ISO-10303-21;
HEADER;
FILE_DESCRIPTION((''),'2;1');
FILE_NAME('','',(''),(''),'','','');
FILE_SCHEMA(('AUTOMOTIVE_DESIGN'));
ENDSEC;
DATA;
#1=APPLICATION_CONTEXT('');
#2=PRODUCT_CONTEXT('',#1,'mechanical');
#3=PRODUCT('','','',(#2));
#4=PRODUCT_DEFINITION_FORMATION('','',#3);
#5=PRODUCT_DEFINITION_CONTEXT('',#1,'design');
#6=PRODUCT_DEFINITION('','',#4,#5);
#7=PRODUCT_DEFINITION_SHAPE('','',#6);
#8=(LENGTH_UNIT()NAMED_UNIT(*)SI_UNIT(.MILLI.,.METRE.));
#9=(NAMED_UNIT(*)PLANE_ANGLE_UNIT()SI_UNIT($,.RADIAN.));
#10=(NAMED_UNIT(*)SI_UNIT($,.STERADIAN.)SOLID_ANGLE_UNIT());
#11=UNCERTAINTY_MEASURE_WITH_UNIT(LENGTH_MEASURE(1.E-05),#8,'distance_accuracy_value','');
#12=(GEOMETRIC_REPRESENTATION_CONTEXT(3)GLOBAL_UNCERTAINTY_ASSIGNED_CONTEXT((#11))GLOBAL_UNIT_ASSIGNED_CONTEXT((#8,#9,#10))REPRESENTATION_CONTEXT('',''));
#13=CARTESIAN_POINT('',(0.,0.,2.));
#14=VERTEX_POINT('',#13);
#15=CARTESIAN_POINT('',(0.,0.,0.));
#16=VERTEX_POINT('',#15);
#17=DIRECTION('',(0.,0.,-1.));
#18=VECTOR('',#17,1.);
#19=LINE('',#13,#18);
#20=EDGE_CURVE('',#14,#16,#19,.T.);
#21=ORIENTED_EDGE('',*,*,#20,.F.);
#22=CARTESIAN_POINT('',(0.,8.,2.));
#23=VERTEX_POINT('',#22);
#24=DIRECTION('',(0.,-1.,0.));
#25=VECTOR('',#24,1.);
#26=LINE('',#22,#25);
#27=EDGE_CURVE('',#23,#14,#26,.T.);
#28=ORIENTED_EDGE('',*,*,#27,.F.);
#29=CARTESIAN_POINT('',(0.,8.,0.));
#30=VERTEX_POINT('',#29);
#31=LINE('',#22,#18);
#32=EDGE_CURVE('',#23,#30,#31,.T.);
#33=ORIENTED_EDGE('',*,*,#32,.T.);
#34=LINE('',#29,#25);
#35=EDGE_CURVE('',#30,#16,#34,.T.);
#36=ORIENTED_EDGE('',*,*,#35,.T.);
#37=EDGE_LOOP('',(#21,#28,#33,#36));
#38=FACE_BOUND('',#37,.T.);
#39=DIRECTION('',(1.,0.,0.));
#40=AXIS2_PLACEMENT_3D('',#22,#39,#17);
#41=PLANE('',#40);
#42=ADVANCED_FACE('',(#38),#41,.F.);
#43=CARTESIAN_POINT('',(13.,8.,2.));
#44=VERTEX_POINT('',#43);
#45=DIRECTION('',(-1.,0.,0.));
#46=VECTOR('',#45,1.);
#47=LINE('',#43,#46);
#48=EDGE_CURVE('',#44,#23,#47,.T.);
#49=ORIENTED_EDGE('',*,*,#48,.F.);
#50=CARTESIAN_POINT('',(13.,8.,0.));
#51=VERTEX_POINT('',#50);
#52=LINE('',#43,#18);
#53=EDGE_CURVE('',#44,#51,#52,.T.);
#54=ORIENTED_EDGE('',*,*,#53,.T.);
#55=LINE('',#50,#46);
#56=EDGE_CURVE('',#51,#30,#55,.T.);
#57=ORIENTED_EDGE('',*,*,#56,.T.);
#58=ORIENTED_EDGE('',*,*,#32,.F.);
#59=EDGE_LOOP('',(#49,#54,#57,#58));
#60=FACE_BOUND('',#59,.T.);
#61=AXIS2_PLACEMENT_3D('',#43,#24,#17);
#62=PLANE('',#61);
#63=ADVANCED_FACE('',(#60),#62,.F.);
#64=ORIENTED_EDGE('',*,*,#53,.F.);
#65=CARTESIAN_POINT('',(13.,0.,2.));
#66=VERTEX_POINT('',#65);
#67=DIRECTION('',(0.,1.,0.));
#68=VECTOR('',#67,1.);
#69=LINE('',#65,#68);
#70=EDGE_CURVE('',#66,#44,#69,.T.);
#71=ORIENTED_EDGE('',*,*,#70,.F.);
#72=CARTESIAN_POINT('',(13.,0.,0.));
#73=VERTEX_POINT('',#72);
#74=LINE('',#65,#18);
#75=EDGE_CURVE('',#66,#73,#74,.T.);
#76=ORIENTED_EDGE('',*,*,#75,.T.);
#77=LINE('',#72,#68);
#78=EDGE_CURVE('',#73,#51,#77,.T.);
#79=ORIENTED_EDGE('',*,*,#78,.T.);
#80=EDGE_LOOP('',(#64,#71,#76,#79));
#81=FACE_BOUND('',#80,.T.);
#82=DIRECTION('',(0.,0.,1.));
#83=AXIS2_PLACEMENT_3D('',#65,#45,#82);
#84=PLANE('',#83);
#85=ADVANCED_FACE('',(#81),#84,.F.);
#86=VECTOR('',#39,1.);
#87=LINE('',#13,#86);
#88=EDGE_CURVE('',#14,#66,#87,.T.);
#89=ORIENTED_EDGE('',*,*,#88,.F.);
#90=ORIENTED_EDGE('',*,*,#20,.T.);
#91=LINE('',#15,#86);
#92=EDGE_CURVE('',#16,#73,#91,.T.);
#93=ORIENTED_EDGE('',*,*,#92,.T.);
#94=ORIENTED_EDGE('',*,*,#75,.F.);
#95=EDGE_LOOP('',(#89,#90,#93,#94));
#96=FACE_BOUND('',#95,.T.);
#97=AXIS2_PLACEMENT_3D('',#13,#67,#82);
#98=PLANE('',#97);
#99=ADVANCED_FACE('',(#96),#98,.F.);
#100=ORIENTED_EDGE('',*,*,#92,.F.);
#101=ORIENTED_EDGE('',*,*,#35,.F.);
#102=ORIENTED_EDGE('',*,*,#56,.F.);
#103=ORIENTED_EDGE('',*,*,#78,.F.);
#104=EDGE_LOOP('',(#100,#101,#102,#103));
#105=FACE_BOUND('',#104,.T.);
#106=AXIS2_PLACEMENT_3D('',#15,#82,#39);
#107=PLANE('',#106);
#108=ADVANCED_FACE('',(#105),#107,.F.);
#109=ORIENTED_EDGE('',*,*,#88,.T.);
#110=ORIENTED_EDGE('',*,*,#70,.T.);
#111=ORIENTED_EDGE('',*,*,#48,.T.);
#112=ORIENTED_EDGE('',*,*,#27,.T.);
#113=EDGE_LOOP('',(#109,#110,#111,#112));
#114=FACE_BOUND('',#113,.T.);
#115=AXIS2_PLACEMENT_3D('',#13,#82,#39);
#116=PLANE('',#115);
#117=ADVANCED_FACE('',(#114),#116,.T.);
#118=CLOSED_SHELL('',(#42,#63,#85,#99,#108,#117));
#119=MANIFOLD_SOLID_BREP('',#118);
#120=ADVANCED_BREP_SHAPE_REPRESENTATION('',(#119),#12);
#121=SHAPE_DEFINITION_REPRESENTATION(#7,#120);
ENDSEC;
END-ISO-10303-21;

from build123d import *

# Parameters (mm, degrees)
SKETCH_1_W         = 13
SKETCH_1_H         = 8
BLOCKEXTRUDE_DEPTH = 2


with BuildPart() as part:
    # 草图1 → BlockExtrude (new body)
    with BuildSketch(Plane.XY):
        with Locations((6.5, 4)):
            Rectangle(SKETCH_1_W, SKETCH_1_H)
    extrude(amount=BLOCKEXTRUDE_DEPTH)


solid = part.part
